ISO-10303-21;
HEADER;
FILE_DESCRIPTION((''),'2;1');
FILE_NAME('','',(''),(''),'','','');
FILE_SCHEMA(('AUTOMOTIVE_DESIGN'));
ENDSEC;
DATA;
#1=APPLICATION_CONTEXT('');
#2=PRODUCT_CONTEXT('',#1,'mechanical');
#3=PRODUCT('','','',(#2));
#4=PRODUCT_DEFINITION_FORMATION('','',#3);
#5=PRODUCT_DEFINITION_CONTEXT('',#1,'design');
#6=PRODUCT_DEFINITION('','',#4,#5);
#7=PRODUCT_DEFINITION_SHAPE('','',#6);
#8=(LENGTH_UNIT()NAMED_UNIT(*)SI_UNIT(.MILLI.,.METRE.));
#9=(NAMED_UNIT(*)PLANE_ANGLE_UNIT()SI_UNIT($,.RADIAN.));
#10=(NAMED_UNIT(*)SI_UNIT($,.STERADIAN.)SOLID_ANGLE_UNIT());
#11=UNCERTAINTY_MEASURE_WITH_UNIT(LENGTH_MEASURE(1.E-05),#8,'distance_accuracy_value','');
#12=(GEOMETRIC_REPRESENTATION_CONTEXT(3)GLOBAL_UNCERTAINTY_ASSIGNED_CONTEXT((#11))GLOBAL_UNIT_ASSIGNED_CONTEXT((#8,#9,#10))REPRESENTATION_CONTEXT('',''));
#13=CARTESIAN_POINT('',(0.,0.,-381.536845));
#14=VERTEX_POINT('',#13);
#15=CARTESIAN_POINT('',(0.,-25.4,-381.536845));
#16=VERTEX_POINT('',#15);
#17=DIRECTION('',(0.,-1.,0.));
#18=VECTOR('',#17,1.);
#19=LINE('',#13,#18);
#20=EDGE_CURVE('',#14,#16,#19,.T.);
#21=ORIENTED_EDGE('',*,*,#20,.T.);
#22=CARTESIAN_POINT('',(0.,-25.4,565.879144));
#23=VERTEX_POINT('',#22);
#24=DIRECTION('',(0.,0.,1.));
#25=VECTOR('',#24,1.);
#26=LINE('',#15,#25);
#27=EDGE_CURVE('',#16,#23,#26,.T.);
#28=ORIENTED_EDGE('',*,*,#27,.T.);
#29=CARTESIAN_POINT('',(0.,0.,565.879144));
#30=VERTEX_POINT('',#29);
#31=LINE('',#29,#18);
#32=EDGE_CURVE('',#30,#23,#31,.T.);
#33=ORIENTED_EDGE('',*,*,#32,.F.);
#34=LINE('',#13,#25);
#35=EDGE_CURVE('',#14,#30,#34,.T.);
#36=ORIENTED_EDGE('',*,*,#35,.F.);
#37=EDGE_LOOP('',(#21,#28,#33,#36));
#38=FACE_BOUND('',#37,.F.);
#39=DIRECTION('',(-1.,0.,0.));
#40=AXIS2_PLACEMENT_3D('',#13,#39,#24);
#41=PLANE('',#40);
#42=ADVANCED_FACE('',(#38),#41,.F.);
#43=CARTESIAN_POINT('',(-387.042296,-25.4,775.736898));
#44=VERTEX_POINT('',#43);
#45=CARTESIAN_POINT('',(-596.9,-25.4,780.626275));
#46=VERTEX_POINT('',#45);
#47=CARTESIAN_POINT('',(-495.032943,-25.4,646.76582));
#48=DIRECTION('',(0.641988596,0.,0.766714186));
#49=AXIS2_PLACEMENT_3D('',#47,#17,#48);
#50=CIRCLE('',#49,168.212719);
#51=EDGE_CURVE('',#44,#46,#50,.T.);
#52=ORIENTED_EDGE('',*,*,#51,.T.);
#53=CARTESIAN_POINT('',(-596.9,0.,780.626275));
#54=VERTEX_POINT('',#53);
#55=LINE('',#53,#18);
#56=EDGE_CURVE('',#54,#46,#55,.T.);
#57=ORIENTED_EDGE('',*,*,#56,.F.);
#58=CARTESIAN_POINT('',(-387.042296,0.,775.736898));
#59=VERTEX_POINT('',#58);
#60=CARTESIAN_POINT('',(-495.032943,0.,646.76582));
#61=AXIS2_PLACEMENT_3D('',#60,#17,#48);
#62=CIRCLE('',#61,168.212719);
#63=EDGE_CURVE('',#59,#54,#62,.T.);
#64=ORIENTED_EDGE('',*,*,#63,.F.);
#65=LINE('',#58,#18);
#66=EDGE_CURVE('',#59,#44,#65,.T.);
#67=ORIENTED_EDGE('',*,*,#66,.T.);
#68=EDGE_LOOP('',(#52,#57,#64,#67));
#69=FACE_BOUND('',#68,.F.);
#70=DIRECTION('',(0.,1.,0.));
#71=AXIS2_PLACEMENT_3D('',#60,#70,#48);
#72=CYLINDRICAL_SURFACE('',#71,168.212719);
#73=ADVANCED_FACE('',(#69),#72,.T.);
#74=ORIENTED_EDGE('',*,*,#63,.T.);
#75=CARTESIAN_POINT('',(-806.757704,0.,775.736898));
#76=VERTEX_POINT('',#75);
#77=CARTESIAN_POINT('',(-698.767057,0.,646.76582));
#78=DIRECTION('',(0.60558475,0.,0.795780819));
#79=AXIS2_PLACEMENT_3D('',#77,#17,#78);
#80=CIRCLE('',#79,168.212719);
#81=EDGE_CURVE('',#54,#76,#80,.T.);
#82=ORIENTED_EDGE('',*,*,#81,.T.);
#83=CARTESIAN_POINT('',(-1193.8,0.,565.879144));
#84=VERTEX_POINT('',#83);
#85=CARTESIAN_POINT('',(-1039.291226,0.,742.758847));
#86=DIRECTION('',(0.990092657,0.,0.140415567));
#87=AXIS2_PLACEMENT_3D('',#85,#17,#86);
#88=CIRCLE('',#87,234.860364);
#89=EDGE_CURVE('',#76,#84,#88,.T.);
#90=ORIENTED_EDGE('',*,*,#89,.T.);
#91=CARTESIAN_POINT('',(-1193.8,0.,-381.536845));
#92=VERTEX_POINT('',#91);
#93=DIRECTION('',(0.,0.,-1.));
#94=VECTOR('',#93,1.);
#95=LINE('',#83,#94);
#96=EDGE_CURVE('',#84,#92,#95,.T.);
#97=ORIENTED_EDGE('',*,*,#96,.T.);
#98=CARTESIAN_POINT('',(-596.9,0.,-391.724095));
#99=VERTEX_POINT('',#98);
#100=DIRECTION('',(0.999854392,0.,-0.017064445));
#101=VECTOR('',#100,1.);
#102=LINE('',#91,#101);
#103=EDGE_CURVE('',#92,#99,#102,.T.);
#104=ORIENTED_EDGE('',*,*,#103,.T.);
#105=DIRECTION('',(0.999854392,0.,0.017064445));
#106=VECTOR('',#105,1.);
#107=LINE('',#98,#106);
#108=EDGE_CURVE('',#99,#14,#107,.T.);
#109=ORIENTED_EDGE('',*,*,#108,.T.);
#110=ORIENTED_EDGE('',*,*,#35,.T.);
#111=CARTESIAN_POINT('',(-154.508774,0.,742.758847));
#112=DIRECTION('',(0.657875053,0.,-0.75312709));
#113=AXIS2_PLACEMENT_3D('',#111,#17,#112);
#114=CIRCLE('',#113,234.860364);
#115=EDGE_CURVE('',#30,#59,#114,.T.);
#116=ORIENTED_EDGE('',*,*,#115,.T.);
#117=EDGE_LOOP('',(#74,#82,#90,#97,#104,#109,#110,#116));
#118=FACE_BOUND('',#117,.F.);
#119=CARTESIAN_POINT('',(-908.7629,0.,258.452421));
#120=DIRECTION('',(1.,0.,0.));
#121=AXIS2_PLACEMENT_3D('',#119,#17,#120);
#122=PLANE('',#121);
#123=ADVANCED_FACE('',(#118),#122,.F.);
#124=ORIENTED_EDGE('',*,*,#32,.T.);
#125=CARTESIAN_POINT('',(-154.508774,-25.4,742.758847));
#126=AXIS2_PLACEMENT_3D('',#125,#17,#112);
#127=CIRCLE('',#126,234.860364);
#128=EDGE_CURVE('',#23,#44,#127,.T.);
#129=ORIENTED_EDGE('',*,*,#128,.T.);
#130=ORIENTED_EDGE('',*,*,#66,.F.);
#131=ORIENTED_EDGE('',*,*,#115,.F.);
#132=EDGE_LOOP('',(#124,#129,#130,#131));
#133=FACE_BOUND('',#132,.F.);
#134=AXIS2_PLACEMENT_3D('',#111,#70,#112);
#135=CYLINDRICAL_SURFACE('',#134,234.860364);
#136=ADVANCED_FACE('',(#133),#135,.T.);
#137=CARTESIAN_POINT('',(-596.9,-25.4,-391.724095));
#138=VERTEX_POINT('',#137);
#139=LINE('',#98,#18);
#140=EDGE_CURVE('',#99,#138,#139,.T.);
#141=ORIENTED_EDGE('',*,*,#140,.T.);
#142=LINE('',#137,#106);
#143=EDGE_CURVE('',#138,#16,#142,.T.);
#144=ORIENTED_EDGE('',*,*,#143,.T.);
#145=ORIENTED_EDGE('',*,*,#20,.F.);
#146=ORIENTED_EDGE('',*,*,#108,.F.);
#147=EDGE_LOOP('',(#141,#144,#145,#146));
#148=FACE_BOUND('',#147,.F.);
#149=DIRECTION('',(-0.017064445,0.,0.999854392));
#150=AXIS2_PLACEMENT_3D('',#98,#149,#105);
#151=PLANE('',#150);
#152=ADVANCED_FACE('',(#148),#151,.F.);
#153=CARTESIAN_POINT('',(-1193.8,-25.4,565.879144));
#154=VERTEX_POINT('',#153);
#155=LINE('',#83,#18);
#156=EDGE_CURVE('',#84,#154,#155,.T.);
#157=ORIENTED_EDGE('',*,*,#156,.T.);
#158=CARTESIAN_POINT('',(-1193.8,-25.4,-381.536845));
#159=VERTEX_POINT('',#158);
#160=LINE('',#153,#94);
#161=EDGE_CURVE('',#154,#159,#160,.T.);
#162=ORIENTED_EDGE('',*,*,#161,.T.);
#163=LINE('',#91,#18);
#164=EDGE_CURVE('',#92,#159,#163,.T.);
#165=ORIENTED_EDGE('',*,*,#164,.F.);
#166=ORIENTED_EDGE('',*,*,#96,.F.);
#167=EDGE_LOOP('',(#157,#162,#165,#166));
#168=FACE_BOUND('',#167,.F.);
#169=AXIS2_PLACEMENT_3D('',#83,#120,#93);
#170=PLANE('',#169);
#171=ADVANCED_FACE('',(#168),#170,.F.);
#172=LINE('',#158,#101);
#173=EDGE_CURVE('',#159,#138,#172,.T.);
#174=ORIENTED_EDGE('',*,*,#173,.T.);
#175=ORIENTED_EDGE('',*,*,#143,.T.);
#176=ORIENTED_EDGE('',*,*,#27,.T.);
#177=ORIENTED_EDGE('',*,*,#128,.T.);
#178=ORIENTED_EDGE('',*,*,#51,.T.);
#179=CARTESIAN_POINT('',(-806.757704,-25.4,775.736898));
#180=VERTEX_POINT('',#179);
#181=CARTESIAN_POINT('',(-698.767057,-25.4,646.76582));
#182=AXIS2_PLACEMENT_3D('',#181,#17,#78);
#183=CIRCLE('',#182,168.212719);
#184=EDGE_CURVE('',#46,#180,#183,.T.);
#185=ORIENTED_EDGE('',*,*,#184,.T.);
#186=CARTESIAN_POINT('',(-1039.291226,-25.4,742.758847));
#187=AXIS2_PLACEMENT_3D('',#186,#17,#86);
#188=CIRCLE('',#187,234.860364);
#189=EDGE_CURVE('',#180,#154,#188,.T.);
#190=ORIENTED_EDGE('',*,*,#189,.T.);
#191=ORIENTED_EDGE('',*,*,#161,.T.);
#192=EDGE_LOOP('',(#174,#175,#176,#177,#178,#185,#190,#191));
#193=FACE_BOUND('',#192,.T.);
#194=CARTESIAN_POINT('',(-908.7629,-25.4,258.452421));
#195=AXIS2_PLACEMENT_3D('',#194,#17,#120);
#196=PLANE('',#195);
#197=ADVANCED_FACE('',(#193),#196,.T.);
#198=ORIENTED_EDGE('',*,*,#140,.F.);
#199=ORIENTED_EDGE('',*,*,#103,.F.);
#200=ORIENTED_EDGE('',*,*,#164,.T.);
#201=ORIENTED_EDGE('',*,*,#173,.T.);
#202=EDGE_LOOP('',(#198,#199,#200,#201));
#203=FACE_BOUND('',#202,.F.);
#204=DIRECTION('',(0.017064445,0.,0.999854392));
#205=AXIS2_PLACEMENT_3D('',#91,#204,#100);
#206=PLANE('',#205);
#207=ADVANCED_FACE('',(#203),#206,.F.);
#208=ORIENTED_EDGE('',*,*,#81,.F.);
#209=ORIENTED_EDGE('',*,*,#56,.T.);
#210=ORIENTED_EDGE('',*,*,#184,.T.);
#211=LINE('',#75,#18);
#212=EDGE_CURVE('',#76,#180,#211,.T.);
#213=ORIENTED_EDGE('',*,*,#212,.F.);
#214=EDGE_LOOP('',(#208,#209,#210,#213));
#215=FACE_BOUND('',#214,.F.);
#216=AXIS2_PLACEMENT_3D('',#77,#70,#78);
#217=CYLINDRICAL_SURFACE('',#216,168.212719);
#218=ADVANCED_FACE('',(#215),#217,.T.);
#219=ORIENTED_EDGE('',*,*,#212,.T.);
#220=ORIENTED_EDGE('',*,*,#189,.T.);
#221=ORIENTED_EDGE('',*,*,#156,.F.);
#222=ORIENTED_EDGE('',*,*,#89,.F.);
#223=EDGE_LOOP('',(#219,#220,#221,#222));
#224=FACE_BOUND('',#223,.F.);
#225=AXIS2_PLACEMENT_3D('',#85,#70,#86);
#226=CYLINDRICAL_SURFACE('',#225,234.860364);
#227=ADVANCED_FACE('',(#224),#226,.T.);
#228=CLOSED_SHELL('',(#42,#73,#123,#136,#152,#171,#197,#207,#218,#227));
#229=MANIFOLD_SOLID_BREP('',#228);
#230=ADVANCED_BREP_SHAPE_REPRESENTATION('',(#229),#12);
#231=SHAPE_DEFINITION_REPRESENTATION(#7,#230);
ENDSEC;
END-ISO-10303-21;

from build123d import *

# Parameters (mm, degrees)
F1_DEPTH = 25.4


with BuildPart() as f1:
    # F0 (on Front) → F1 (new body)
    with BuildSketch(Plane.XZ):
        with BuildLine():
            Line((-1193.8, -381.5368448116), (-596.9, -391.724095189))
            Line((-596.9, -391.724095189), (-596.9, 512.9053653959))
            ThreePointArc((-596.9, 512.9053653959), (-663.2456615259, 646.7658202716), (-596.9, 780.6262751473))
            ThreePointArc((-596.9, 780.6262751473), (-702.6851038891, 814.9329026686), (-806.7577040488, 775.7368978631))
            ThreePointArc((-806.7577040488, 775.7368978631), (-1151.237795319, 949.2227807014), (-1193.8, 565.8791443144))
            Line((-1193.8, 565.8791443144), (-1193.8, -381.5368448116))
        make_face()
        with BuildLine():
            Line((-596.9, 512.9053653959), (-596.9, -391.724095189))
            Line((-596.9, -391.724095189), (0, -381.5368448116))
            Line((0, -381.5368448116), (0, 565.8791443144))
            ThreePointArc((0, 565.8791443144), (-42.562204681, 949.2227807014), (-387.0422959512, 775.7368978631))
            ThreePointArc((-387.0422959512, 775.7368978631), (-491.1148961109, 814.9329026686), (-596.9, 780.6262751473))
            ThreePointArc((-596.9, 780.6262751473), (-530.5543384741, 646.7658202716), (-596.9, 512.9053653959))
        make_face()
        with BuildLine():
            ThreePointArc((-596.9, 780.6262751473), (-663.2456615259, 646.7658202716), (-596.9, 512.9053653959))
            ThreePointArc((-596.9, 512.9053653959), (-530.5543384741, 646.7658202716), (-596.9, 780.6262751473))
        make_face()
    extrude(amount=F1_DEPTH)


solid = f1.part
